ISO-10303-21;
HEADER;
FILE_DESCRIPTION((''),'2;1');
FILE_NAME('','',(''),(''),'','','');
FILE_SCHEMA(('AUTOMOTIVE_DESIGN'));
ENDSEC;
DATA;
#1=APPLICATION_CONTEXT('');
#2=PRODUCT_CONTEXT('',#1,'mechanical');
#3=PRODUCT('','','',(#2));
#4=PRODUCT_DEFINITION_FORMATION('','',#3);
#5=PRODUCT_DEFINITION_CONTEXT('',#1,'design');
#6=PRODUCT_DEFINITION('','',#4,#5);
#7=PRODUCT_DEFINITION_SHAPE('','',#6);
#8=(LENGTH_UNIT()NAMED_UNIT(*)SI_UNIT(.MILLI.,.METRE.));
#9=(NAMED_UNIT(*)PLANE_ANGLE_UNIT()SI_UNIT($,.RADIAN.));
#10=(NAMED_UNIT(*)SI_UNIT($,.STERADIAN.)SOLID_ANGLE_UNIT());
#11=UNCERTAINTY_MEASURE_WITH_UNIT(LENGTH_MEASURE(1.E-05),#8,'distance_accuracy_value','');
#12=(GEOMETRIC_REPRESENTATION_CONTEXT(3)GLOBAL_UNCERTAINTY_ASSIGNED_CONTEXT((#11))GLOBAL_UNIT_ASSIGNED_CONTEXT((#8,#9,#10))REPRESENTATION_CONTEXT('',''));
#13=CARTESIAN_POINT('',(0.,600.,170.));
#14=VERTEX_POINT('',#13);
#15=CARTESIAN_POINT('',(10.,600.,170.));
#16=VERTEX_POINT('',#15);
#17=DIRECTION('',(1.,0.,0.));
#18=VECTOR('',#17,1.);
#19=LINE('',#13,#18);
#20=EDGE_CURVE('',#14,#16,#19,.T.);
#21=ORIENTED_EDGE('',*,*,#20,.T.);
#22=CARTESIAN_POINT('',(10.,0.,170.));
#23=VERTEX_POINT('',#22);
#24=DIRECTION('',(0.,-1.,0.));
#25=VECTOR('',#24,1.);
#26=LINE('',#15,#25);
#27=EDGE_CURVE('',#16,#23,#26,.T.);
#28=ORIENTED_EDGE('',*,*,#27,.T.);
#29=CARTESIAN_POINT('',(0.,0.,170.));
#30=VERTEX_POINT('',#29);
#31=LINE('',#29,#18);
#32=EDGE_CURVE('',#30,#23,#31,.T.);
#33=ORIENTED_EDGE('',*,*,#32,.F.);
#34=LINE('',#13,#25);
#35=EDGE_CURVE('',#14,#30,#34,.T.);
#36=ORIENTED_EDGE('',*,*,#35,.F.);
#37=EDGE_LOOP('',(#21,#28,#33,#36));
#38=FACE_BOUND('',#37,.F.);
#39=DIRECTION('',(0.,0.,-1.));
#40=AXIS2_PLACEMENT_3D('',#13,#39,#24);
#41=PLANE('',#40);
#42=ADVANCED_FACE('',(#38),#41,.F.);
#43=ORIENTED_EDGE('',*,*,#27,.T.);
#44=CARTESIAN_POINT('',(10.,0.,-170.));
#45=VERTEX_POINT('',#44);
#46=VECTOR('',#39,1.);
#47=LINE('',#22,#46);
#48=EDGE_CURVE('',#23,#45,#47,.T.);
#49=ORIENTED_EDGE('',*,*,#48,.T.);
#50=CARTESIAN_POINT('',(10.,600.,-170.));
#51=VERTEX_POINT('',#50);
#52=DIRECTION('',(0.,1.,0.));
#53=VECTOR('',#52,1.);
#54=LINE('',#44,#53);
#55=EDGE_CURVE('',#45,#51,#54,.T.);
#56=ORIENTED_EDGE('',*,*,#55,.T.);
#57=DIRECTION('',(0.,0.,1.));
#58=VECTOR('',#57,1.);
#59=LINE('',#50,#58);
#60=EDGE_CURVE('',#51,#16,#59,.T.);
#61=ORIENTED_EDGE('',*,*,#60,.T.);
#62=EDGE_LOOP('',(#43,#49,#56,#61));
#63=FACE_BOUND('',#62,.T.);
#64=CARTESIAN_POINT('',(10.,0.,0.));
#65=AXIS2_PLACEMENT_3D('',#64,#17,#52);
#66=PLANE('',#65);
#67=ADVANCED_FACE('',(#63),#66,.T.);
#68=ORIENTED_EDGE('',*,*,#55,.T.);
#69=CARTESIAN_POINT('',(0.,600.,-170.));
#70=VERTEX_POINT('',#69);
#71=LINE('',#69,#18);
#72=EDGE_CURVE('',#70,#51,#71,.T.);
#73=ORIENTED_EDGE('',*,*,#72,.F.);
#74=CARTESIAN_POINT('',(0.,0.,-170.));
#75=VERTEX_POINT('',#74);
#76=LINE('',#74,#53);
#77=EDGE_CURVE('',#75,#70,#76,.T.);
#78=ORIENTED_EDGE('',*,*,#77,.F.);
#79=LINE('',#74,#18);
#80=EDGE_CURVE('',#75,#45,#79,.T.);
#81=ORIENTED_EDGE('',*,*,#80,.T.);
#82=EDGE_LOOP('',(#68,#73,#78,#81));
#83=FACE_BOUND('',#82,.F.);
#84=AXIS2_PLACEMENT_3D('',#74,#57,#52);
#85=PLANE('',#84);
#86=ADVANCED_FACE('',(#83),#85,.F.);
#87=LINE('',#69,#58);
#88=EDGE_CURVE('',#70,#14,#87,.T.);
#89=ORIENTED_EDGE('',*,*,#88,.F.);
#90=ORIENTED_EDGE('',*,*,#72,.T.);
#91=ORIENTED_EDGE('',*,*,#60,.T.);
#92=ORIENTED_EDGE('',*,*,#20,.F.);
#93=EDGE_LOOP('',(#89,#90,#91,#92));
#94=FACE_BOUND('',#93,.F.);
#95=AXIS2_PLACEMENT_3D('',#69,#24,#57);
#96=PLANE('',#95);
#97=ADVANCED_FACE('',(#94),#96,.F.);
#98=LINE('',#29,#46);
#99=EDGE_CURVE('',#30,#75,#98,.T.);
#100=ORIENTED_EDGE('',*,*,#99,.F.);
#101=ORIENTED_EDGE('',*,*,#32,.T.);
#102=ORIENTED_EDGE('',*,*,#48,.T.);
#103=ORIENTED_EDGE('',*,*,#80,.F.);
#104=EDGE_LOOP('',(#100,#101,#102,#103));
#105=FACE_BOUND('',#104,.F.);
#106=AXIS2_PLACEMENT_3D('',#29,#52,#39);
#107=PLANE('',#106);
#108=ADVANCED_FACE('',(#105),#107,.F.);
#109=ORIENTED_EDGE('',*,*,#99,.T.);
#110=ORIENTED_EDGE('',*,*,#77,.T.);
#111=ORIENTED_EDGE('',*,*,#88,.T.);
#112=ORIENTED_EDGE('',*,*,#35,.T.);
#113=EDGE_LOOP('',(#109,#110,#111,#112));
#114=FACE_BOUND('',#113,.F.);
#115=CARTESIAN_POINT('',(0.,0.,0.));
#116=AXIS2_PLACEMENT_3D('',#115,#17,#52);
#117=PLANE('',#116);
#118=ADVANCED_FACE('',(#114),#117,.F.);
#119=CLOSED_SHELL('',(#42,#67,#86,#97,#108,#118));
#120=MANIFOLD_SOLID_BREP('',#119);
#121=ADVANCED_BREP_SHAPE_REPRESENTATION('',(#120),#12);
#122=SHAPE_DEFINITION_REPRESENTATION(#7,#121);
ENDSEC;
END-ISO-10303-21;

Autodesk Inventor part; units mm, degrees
ref_plane "YZ Plane" through (0, 0, 0) normal (1, 0, 0) x (0, 1, 0)
ref_plane "XZ Plane" through (0, 0, 0) normal (0, 1, 0) x (-1, 0, 0)
ref_plane "XY Plane" through (0, 0, 0) normal (0, 0, 1) x (1, 0, 0)
sketch "스케치1" plane through (0, 0, 0) normal (1, 0, 0) x (0, 1, 0)
  line L0 (600, 170) -> (0, 170)
  line L1 (0, 170) -> (0, -170)
  line L2 (0, -170) -> (600, -170)
  line L3 (600, -170) -> (600, 170)
  point P0 (0, 0)
  point P1 (0, 0)
  dimension "d0" = 600
  dimension "d1" = 340
extrude "돌출1" add sketch "스케치1" along normal blind 10
properties part number "back_cowl"
